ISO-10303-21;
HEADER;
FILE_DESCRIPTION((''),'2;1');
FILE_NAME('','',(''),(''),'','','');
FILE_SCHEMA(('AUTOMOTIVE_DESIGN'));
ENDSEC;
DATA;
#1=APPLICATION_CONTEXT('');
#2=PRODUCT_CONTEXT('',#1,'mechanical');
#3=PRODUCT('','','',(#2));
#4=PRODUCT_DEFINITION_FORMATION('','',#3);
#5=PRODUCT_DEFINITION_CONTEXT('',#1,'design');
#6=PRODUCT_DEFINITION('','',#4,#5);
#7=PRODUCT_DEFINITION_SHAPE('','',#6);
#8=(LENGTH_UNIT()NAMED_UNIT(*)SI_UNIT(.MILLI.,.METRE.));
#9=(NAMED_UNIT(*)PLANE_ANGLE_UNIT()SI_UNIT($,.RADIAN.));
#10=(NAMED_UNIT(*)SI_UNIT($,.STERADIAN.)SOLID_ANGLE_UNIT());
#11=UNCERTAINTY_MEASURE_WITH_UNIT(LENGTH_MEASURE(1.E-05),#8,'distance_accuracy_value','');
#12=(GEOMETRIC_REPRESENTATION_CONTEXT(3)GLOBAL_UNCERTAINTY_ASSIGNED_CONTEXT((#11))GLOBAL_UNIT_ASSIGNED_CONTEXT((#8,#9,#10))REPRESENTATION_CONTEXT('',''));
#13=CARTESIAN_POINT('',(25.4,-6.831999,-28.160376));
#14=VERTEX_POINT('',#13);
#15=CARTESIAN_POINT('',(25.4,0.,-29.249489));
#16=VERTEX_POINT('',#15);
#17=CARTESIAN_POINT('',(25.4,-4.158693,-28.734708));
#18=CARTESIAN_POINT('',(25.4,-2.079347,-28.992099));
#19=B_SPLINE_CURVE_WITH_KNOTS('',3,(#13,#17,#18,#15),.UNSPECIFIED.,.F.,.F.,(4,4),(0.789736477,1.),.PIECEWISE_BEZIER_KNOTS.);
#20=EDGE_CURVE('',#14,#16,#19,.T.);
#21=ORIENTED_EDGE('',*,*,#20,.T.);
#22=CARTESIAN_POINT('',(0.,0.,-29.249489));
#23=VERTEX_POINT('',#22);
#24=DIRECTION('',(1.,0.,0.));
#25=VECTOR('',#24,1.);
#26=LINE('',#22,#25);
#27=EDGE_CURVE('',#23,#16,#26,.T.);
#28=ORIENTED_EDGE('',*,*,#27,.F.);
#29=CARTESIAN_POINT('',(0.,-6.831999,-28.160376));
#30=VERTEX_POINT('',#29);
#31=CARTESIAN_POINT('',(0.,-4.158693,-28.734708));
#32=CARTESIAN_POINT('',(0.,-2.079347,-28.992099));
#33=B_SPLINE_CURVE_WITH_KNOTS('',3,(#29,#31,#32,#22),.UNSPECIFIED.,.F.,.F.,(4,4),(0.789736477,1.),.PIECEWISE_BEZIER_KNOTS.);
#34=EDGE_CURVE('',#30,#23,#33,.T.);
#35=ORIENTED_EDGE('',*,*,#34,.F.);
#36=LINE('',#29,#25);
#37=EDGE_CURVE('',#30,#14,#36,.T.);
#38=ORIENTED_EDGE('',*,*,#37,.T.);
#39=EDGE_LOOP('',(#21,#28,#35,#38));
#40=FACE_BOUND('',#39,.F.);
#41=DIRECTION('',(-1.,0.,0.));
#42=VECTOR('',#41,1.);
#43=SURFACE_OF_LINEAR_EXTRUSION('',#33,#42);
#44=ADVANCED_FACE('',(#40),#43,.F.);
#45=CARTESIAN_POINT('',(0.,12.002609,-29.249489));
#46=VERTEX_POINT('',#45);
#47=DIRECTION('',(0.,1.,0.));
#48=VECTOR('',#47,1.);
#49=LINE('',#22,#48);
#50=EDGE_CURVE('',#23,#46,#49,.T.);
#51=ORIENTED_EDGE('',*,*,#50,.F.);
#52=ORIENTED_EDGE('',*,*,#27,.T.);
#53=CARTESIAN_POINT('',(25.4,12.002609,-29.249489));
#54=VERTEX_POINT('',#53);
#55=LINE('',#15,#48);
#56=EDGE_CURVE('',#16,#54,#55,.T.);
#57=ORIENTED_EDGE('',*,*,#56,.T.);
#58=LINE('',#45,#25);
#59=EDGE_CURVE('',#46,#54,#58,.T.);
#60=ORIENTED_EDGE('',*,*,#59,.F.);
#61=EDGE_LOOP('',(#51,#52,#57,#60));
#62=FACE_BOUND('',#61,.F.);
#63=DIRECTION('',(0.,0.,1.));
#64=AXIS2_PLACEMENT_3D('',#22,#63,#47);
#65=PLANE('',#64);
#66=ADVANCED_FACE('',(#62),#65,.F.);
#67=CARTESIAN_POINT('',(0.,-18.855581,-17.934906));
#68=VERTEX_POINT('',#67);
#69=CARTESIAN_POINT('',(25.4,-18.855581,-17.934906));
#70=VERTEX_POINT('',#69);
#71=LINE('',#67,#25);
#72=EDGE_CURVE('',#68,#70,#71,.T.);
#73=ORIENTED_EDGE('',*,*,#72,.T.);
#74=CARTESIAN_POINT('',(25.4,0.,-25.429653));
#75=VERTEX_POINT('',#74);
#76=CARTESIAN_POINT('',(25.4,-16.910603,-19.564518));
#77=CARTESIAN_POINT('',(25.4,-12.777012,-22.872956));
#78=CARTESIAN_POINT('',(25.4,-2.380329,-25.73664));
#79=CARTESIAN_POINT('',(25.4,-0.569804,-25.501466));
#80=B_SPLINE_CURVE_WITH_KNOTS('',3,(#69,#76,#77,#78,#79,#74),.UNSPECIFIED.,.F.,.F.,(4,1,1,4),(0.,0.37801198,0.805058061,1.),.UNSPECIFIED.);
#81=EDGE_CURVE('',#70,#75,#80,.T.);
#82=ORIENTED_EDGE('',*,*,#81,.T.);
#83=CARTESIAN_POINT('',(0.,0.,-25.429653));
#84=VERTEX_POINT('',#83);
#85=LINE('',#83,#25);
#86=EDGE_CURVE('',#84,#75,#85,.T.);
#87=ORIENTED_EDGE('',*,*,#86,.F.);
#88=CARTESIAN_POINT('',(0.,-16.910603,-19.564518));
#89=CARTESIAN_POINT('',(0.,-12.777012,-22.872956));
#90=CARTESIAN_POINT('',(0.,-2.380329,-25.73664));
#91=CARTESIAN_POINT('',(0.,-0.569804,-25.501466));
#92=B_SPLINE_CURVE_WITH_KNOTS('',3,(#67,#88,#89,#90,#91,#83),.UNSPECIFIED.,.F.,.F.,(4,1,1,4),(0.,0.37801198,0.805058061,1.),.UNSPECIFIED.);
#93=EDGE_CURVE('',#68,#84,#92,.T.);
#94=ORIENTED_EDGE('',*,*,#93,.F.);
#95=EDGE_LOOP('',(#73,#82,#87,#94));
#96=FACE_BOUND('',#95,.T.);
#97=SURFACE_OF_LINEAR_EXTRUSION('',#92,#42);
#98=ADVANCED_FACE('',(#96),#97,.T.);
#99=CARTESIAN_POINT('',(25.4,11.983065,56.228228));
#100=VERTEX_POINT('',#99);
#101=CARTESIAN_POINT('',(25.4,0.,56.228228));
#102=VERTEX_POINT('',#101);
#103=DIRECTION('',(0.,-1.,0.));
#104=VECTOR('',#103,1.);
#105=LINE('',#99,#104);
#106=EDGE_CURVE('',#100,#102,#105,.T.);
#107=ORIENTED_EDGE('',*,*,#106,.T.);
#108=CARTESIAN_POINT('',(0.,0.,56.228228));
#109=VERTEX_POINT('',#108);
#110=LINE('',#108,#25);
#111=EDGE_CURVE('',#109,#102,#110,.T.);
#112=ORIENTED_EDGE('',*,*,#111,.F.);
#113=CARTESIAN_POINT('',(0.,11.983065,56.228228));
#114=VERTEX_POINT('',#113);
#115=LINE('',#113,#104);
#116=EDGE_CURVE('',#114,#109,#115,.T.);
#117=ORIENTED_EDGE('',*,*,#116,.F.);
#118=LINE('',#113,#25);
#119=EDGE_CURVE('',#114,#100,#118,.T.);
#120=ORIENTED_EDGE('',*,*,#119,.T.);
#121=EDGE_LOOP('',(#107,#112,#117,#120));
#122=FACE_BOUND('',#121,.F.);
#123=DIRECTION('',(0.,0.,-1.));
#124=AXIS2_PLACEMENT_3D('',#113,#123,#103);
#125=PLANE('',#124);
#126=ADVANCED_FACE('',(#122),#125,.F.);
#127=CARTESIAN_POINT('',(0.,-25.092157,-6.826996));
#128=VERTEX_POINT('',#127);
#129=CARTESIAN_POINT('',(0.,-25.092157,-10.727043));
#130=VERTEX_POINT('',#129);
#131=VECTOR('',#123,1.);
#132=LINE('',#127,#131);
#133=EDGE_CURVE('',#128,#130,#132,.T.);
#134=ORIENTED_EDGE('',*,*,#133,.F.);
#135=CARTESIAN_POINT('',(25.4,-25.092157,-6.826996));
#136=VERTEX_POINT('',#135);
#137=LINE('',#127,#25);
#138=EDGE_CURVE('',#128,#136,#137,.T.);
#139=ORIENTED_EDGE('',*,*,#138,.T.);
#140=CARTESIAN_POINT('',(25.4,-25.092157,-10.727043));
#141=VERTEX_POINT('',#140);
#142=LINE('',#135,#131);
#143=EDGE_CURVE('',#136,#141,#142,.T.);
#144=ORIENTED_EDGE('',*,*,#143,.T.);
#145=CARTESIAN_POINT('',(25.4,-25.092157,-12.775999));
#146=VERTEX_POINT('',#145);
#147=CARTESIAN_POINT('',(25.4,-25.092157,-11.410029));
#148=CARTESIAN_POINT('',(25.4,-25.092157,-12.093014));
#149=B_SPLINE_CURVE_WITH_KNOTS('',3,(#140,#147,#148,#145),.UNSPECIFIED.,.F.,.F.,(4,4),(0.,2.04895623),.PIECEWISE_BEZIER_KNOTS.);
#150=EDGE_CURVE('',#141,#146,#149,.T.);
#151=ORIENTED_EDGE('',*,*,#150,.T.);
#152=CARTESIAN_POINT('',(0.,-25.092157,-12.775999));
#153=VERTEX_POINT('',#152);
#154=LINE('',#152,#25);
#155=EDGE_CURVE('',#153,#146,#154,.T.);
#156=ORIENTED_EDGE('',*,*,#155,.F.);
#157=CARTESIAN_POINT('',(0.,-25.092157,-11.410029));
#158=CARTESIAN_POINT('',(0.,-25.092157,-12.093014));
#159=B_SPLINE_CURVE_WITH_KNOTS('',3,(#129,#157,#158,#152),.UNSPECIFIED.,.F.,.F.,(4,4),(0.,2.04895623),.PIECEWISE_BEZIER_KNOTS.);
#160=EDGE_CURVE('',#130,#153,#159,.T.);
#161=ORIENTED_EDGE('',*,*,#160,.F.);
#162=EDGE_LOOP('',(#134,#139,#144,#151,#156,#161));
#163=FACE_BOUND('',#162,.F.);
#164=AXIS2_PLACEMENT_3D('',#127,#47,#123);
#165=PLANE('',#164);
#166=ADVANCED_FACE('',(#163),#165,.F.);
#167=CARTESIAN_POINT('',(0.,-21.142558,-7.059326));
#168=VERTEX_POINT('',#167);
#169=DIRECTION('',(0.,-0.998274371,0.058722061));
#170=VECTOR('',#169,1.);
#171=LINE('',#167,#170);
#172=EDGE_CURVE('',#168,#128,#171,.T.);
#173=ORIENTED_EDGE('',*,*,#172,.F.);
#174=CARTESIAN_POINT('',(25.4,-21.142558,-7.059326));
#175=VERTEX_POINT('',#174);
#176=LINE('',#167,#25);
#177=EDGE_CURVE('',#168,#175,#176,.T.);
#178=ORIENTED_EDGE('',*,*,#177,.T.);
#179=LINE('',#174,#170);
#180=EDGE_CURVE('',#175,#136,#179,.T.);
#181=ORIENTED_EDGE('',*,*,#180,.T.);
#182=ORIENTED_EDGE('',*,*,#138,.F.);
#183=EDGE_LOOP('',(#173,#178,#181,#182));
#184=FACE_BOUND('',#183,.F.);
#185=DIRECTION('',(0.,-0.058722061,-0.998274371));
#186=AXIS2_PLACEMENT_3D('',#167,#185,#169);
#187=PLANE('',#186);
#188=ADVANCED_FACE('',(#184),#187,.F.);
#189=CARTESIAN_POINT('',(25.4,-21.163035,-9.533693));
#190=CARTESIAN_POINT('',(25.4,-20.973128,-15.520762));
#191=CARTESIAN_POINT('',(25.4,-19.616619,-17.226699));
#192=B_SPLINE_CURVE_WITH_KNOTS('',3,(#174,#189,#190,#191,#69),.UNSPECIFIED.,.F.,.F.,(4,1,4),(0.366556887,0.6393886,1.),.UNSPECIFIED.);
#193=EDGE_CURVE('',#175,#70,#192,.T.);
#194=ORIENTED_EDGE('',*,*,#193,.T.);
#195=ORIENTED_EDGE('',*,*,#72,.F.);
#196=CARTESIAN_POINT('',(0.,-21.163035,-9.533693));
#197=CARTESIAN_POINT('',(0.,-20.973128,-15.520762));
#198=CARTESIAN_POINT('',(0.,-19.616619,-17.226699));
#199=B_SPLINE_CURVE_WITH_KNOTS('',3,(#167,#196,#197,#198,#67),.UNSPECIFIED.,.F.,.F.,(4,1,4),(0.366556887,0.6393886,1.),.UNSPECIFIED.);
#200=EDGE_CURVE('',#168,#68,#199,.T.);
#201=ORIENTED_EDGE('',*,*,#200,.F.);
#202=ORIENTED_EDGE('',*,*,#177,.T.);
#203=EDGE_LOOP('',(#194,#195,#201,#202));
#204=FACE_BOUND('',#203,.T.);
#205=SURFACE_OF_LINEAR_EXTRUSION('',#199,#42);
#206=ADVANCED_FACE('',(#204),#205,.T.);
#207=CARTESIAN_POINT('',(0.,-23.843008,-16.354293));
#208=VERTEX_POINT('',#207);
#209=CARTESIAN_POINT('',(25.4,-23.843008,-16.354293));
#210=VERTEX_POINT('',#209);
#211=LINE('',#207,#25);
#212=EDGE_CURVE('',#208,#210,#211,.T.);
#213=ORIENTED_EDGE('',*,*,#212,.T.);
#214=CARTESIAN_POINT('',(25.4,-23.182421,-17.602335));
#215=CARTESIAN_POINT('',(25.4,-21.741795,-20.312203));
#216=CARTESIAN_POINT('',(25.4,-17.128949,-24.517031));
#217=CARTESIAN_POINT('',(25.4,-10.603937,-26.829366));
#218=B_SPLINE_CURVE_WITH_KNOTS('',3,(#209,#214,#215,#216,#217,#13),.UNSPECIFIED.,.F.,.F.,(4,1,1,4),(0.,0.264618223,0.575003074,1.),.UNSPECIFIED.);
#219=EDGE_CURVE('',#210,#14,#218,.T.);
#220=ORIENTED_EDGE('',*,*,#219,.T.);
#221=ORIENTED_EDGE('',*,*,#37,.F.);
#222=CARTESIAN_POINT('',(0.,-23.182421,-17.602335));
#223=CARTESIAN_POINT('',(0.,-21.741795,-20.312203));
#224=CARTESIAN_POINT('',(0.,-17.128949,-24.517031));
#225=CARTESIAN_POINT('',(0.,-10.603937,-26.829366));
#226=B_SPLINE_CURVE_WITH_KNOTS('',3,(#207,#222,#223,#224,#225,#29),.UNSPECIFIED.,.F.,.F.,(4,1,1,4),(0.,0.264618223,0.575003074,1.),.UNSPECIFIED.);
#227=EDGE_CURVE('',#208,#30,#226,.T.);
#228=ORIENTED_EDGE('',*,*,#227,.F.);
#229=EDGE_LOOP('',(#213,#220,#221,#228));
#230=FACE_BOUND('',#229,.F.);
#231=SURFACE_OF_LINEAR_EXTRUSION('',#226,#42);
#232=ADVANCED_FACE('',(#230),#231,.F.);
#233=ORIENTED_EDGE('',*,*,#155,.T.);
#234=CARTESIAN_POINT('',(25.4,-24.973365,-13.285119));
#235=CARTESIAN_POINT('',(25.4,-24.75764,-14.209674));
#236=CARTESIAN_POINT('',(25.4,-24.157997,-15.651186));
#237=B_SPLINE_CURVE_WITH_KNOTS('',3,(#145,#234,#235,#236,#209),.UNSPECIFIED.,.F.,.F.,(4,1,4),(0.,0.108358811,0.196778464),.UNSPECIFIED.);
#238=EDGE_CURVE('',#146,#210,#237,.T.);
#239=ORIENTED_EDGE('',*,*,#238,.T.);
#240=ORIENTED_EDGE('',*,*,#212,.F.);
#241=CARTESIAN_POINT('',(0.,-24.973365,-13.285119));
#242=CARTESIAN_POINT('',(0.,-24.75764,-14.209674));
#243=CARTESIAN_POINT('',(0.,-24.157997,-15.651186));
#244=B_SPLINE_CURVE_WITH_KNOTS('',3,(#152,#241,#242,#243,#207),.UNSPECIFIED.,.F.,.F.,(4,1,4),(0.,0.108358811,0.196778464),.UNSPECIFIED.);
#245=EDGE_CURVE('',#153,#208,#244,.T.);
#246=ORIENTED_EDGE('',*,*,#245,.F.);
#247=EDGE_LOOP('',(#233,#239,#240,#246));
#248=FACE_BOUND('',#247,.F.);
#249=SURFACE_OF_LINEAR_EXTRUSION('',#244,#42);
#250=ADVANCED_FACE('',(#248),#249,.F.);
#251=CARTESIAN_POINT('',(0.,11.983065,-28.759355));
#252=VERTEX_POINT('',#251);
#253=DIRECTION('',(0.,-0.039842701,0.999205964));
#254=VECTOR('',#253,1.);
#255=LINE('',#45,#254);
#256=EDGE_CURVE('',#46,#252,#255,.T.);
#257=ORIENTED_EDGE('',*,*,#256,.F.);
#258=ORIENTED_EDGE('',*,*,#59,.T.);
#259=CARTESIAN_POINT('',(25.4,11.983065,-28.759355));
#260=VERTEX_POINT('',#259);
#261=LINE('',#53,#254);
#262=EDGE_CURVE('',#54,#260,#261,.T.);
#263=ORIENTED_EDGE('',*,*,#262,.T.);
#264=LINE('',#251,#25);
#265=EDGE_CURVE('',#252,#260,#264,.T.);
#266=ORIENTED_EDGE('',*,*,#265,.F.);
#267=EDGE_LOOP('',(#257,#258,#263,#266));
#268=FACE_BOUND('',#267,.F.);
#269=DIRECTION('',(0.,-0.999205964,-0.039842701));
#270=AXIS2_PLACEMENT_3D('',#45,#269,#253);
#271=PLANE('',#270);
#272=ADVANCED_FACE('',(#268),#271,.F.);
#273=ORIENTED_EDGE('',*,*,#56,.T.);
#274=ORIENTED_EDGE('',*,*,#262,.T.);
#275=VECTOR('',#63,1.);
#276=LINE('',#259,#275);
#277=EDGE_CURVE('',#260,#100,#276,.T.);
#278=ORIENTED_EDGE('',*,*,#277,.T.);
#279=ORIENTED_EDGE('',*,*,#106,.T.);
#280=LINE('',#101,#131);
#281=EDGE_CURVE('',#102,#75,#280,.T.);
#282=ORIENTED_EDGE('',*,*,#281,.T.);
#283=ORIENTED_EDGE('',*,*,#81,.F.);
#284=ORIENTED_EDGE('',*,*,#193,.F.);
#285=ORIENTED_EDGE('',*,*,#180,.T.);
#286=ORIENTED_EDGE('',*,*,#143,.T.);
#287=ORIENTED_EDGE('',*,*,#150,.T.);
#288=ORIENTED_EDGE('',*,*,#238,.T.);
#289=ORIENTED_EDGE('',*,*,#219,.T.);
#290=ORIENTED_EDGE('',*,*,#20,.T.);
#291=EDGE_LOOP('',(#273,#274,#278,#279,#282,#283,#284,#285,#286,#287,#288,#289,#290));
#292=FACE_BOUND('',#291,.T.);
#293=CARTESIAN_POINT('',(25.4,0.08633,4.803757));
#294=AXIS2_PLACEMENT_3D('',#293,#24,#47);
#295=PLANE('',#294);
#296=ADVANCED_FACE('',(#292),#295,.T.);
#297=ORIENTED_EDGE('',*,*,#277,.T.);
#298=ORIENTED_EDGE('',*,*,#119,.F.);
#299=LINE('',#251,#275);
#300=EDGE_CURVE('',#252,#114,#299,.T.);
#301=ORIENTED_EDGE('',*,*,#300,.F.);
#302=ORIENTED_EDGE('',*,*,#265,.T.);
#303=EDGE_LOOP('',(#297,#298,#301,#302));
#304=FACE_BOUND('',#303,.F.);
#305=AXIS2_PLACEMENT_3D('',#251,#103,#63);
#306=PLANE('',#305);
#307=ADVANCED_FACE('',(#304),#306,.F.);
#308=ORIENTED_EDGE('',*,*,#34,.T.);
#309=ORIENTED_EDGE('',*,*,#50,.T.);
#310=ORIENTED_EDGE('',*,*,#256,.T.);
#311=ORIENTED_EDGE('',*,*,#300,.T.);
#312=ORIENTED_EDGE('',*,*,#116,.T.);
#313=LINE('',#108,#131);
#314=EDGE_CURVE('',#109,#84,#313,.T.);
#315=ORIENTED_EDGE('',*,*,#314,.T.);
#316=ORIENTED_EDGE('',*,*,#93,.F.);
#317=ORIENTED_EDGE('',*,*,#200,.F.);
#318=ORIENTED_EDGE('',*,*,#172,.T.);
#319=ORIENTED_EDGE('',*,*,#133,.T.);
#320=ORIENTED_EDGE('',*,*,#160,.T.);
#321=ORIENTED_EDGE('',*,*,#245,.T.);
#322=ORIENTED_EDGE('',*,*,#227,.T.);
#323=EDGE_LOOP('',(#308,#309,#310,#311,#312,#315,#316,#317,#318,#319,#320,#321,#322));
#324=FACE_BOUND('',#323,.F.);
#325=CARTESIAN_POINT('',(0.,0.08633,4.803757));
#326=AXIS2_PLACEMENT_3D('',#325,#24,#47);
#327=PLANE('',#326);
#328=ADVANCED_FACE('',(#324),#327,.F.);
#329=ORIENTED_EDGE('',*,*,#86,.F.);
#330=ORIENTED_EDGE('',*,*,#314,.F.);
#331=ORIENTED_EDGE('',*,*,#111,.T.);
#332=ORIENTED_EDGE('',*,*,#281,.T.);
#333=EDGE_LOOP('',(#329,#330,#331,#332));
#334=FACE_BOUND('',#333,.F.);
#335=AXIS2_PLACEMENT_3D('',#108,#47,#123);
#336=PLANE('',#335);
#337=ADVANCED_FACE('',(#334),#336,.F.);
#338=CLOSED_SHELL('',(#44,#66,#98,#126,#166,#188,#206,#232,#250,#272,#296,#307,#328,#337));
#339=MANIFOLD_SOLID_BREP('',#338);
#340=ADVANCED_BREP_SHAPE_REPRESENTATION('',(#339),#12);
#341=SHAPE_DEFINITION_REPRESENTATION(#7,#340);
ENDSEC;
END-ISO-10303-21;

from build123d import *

# Parameters (mm, degrees)
F1_DEPTH = 25.4


with BuildPart() as f1:
    # F0 (on Right) → F1 (new body)
    with BuildSketch(Plane.YZ):
        with BuildLine():
            Line((11.9830649346, 56.2282279134), (0, 56.2282279134))
            Line((0, 56.2282279134), (0, 0))
            Line((0, 0), (0, -25.4296530038))
            add(Edge.make_bspline(
                [(-18.8555812699, -17.934905612), (-16.9106029389, -19.5645184381), (-12.7770122998, -22.8729562399), (-2.3803292848, -25.7366404928), (-0.5698041588, -25.5014664805), (0, -25.4296530038)],
                knots=[0, 0, 0, 0, 0.3780119804, 0.8050580614, 1, 1, 1, 1], degree=3))
            add(Edge.make_bspline(
                [(-21.142558413, -7.0593257981), (-21.1630354076, -9.5336929124), (-20.9731282695, -15.5207622715), (-19.6166192611, -17.2266989399), (-18.8555812699, -17.934905612)],
                knots=[0.366556887, 0.366556887, 0.366556887, 0.366556887, 0.6393886, 1, 1, 1, 1], degree=3))
            Line((-21.142558413, -7.0593257981), (-25.0921566039, -6.8269963376))
            Line((-25.0921566039, -6.8269963376), (-25.0921566039, -10.7270432636))
            add(Edge.make_bspline(
                [(-25.0921566039, -10.7270432636), (-25.0921566039, -11.4100286737), (-25.0921566039, -12.0930140838), (-25.0921566039, -12.7759994939)],
                knots=[0, 0, 0, 0, 2.0489562303, 2.0489562303, 2.0489562303, 2.0489562303], degree=3))
            add(Edge.make_bspline(
                [(-25.0921566039, -12.7759994939), (-24.973364664, -13.2851188409), (-24.7576397464, -14.2096742373), (-24.1579971359, -15.6511864276), (-23.8430076643, -16.3542931801)],
                knots=[0, 0, 0, 0, 0.1083588108, 0.1967784644, 0.1967784644, 0.1967784644, 0.1967784644], degree=3))
            add(Edge.make_bspline(
                [(-23.8430076643, -16.3542931801), (-23.1824210352, -17.6023346541), (-21.7417949157, -20.3122029051), (-17.1289494394, -24.5170313413), (-10.6039371265, -26.829365645), (-6.8319985466, -28.1603759268)],
                knots=[0, 0, 0, 0, 0.2646182234, 0.5750030745, 1, 1, 1, 1], degree=3))
            add(Edge.make_bspline(
                [(-6.8319985466, -28.1603759268), (-4.1586930455, -28.7347082308), (-2.0793465227, -28.9920987691), (0, -29.2494893074)],
                knots=[0.7897364765, 0.7897364765, 0.7897364765, 0.7897364765, 1, 1, 1, 1], degree=3))
            Line((0, -29.2494893074), (12.0026087388, -29.2494893074))
            Line((12.0026087388, -29.2494893074), (11.9830649346, -28.7593547255))
            Line((11.9830649346, -28.7593547255), (11.9830649346, 56.2282279134))
        make_face()
    extrude(amount=F1_DEPTH)


solid = f1.part
